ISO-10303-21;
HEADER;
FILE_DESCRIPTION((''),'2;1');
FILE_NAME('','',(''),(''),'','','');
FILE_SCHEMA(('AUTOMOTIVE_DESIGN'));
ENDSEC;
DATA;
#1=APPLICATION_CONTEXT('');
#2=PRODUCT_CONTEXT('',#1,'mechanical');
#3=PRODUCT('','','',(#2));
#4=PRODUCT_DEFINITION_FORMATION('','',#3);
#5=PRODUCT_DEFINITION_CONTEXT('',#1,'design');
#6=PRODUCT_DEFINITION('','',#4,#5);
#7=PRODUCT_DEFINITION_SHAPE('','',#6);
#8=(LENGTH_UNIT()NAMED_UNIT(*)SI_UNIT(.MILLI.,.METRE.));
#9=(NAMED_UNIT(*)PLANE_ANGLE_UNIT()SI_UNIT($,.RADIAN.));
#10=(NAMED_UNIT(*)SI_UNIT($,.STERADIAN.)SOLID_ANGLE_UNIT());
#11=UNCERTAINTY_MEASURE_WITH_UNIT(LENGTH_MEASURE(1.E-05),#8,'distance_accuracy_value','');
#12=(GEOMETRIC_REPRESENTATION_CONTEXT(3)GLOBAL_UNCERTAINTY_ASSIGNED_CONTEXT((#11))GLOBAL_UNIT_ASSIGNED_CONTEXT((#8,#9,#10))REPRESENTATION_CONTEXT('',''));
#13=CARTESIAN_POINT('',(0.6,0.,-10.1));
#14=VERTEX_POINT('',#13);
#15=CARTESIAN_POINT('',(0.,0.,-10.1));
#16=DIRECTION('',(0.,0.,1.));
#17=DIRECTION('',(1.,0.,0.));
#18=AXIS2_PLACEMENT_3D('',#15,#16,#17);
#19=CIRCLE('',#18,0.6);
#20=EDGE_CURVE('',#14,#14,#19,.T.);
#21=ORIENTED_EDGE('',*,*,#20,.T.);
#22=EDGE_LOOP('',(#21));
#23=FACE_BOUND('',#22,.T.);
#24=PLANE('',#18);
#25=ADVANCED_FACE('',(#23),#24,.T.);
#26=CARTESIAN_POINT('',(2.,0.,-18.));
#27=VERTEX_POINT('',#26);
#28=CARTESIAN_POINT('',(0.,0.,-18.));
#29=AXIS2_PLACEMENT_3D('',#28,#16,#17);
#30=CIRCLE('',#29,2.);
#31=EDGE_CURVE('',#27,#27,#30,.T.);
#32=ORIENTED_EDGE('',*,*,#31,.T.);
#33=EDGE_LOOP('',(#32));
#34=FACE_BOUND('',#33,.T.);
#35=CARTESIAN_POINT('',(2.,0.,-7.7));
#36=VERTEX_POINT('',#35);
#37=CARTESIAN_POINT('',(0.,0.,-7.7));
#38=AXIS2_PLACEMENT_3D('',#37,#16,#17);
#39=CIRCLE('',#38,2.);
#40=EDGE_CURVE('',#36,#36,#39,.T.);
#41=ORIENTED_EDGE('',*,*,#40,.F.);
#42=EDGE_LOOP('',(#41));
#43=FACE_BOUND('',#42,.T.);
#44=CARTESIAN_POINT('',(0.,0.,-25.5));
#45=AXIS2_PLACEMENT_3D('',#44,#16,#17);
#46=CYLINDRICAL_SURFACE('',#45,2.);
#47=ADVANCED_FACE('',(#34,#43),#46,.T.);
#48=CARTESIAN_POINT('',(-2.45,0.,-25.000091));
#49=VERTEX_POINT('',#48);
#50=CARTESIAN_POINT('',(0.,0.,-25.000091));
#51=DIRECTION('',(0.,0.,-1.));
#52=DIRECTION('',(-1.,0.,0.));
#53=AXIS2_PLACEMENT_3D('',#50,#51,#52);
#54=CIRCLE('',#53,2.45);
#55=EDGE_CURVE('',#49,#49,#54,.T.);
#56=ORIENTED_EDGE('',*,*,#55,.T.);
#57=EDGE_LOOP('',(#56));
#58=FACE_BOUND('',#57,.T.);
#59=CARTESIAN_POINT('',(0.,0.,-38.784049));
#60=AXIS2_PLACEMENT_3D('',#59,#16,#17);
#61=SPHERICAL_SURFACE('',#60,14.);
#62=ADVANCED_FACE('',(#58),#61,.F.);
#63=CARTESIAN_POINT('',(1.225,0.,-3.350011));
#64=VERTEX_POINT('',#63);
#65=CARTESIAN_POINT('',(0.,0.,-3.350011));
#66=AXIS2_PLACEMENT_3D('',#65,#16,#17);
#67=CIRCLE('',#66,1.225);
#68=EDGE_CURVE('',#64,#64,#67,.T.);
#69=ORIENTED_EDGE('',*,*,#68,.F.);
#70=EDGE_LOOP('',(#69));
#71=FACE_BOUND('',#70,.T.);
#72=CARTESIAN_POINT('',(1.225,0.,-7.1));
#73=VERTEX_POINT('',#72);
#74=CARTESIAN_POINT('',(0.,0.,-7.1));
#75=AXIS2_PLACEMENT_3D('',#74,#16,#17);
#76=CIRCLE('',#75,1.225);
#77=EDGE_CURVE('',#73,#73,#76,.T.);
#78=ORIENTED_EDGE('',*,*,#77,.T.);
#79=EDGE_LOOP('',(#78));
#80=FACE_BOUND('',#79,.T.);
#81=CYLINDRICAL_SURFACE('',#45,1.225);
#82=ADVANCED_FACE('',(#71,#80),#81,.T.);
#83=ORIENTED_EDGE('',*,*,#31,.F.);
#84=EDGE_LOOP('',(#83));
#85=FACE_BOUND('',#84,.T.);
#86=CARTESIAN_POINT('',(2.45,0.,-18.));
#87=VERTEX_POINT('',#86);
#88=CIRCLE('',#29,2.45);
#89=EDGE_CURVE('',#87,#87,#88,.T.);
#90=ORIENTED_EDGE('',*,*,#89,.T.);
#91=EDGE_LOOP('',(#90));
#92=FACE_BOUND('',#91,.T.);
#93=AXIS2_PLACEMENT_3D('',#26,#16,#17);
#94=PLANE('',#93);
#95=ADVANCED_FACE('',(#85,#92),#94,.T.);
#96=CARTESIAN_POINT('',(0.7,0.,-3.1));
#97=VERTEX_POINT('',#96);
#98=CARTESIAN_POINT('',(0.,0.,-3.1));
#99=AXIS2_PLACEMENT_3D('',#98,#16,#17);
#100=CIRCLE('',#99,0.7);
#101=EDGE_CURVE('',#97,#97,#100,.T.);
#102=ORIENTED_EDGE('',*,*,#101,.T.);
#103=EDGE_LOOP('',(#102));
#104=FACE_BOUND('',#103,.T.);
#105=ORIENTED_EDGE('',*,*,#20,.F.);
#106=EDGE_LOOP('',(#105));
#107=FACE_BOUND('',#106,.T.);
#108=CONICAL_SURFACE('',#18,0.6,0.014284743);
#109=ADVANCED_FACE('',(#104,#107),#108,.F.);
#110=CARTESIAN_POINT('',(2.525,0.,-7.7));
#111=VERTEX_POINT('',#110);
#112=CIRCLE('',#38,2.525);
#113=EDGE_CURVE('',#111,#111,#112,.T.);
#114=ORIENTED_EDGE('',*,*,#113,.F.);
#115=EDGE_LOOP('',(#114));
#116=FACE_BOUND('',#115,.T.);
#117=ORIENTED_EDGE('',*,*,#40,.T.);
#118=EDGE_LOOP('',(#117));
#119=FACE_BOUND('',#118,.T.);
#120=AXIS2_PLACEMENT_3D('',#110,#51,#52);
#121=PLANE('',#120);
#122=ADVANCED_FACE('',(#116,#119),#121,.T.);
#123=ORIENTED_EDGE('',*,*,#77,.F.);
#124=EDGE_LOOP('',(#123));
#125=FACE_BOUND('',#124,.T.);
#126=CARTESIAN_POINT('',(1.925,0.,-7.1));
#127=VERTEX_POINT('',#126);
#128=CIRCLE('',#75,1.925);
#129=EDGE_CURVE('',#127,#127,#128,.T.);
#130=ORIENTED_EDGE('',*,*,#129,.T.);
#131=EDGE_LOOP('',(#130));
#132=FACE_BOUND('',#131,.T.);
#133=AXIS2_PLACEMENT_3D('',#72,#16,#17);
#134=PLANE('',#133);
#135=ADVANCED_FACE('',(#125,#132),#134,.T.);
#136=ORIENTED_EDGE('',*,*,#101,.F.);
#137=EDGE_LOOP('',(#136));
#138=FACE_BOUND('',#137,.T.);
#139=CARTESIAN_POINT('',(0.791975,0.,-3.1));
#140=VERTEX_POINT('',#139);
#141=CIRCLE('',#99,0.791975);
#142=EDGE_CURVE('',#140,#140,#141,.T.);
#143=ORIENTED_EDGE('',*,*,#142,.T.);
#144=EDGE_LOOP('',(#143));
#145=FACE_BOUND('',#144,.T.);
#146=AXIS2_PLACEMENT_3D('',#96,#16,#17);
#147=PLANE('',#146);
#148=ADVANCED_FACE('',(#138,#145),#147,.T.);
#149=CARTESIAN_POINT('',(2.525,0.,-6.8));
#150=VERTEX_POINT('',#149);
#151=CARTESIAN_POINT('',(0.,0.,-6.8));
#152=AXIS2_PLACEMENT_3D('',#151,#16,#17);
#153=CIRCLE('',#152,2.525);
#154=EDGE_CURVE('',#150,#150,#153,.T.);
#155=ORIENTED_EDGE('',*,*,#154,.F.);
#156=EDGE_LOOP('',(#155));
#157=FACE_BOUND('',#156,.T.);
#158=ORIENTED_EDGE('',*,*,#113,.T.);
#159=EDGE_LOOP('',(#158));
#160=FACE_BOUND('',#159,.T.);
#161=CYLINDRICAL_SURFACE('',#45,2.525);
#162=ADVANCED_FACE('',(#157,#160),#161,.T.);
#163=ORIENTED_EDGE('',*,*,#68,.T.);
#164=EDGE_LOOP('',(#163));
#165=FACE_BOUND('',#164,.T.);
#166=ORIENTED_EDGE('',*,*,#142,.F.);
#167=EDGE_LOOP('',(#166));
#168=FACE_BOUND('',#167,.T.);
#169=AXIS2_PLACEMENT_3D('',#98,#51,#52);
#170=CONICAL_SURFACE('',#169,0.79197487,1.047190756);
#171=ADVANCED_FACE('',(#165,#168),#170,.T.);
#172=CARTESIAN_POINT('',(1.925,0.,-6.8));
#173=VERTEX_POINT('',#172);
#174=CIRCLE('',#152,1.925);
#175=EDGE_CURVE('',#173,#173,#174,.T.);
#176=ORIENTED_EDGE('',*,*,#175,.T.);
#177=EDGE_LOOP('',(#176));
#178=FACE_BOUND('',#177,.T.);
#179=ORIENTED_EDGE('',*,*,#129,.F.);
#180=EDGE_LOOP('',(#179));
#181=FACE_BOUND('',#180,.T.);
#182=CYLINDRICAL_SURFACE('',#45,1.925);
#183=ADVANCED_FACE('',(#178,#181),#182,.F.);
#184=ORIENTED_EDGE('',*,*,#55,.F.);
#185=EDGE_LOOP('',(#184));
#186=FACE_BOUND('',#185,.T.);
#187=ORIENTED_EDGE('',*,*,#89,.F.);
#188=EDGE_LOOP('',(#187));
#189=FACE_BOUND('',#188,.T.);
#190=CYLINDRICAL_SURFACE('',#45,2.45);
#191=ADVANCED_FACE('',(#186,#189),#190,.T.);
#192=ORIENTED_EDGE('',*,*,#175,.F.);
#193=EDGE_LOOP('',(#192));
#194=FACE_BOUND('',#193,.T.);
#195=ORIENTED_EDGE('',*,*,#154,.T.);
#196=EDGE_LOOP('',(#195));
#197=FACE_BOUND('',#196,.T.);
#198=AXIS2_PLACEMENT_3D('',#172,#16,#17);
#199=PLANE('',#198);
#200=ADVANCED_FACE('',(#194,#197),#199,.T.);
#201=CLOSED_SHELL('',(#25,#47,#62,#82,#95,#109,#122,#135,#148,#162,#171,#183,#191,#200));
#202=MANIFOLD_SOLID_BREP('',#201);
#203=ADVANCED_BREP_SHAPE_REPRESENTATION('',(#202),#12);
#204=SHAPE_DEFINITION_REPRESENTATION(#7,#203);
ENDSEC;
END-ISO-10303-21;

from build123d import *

# Parameters (mm, degrees)
CUT_EXTRUDE1_START = -10
SKETCH2_R          = 5
SKETCH2_R_2        = 2.45
CUT_EXTRUDE1_DEPTH = 10


with BuildPart() as part:
    # Sketch1 → Revolve1 (revolve)
    with BuildSketch(Plane(origin=(0, 0, 0), x_dir=(1, 0, 0), z_dir=(0, 1, 0))):
        with BuildLine():
            Line((0, 24.784048752), (0, 10.1))
            Line((0, 10.1), (0.6, 10.1))
            Line((0.6, 10.1), (0.7, 3.1))
            Line((0.7, 3.1), (0.79197487, 3.1))
            Line((0.79197487, 3.1), (1.225, 3.350011099))
            Line((1.225, 3.350011099), (1.225, 7.1))
            Line((1.225, 7.1), (1.925, 7.1))
            Line((1.925, 7.1), (1.925, 6.8))
            Line((1.925, 6.8), (2.525, 6.8))
            Line((2.525, 6.8), (2.525, 7.7))
            Line((2.525, 7.7), (2, 7.7))
            Line((2, 7.7), (2, 18))
            Line((2, 18), (2.45, 18))
            Line((2.45, 18), (2.45, 24))
            Line((2.45, 24), (4.2, 24))
            Line((4.2, 24), (4.2, 18))
            Line((4.2, 18), (5, 18))
            Line((5, 18), (5, 25))
            ThreePointArc((5, 25), (4.79361011, 25.404713607), (4.344827586, 25.475312026))
            ThreePointArc((4.344827586, 25.475312026), (2.199737011, 24.957944562), (0, 24.784048752))
        make_face()
    revolve(axis=Axis((0, 0, -25.5), (0, 0, 1)))

    # Sketch2 → Cut-Extrude1 (cut)
    with BuildSketch(Plane.XY.offset(-18).offset(CUT_EXTRUDE1_START)):
        Circle(SKETCH2_R)
        Circle(SKETCH2_R_2, mode=Mode.SUBTRACT)
    extrude(amount=CUT_EXTRUDE1_DEPTH, mode=Mode.SUBTRACT)


solid = part.part
